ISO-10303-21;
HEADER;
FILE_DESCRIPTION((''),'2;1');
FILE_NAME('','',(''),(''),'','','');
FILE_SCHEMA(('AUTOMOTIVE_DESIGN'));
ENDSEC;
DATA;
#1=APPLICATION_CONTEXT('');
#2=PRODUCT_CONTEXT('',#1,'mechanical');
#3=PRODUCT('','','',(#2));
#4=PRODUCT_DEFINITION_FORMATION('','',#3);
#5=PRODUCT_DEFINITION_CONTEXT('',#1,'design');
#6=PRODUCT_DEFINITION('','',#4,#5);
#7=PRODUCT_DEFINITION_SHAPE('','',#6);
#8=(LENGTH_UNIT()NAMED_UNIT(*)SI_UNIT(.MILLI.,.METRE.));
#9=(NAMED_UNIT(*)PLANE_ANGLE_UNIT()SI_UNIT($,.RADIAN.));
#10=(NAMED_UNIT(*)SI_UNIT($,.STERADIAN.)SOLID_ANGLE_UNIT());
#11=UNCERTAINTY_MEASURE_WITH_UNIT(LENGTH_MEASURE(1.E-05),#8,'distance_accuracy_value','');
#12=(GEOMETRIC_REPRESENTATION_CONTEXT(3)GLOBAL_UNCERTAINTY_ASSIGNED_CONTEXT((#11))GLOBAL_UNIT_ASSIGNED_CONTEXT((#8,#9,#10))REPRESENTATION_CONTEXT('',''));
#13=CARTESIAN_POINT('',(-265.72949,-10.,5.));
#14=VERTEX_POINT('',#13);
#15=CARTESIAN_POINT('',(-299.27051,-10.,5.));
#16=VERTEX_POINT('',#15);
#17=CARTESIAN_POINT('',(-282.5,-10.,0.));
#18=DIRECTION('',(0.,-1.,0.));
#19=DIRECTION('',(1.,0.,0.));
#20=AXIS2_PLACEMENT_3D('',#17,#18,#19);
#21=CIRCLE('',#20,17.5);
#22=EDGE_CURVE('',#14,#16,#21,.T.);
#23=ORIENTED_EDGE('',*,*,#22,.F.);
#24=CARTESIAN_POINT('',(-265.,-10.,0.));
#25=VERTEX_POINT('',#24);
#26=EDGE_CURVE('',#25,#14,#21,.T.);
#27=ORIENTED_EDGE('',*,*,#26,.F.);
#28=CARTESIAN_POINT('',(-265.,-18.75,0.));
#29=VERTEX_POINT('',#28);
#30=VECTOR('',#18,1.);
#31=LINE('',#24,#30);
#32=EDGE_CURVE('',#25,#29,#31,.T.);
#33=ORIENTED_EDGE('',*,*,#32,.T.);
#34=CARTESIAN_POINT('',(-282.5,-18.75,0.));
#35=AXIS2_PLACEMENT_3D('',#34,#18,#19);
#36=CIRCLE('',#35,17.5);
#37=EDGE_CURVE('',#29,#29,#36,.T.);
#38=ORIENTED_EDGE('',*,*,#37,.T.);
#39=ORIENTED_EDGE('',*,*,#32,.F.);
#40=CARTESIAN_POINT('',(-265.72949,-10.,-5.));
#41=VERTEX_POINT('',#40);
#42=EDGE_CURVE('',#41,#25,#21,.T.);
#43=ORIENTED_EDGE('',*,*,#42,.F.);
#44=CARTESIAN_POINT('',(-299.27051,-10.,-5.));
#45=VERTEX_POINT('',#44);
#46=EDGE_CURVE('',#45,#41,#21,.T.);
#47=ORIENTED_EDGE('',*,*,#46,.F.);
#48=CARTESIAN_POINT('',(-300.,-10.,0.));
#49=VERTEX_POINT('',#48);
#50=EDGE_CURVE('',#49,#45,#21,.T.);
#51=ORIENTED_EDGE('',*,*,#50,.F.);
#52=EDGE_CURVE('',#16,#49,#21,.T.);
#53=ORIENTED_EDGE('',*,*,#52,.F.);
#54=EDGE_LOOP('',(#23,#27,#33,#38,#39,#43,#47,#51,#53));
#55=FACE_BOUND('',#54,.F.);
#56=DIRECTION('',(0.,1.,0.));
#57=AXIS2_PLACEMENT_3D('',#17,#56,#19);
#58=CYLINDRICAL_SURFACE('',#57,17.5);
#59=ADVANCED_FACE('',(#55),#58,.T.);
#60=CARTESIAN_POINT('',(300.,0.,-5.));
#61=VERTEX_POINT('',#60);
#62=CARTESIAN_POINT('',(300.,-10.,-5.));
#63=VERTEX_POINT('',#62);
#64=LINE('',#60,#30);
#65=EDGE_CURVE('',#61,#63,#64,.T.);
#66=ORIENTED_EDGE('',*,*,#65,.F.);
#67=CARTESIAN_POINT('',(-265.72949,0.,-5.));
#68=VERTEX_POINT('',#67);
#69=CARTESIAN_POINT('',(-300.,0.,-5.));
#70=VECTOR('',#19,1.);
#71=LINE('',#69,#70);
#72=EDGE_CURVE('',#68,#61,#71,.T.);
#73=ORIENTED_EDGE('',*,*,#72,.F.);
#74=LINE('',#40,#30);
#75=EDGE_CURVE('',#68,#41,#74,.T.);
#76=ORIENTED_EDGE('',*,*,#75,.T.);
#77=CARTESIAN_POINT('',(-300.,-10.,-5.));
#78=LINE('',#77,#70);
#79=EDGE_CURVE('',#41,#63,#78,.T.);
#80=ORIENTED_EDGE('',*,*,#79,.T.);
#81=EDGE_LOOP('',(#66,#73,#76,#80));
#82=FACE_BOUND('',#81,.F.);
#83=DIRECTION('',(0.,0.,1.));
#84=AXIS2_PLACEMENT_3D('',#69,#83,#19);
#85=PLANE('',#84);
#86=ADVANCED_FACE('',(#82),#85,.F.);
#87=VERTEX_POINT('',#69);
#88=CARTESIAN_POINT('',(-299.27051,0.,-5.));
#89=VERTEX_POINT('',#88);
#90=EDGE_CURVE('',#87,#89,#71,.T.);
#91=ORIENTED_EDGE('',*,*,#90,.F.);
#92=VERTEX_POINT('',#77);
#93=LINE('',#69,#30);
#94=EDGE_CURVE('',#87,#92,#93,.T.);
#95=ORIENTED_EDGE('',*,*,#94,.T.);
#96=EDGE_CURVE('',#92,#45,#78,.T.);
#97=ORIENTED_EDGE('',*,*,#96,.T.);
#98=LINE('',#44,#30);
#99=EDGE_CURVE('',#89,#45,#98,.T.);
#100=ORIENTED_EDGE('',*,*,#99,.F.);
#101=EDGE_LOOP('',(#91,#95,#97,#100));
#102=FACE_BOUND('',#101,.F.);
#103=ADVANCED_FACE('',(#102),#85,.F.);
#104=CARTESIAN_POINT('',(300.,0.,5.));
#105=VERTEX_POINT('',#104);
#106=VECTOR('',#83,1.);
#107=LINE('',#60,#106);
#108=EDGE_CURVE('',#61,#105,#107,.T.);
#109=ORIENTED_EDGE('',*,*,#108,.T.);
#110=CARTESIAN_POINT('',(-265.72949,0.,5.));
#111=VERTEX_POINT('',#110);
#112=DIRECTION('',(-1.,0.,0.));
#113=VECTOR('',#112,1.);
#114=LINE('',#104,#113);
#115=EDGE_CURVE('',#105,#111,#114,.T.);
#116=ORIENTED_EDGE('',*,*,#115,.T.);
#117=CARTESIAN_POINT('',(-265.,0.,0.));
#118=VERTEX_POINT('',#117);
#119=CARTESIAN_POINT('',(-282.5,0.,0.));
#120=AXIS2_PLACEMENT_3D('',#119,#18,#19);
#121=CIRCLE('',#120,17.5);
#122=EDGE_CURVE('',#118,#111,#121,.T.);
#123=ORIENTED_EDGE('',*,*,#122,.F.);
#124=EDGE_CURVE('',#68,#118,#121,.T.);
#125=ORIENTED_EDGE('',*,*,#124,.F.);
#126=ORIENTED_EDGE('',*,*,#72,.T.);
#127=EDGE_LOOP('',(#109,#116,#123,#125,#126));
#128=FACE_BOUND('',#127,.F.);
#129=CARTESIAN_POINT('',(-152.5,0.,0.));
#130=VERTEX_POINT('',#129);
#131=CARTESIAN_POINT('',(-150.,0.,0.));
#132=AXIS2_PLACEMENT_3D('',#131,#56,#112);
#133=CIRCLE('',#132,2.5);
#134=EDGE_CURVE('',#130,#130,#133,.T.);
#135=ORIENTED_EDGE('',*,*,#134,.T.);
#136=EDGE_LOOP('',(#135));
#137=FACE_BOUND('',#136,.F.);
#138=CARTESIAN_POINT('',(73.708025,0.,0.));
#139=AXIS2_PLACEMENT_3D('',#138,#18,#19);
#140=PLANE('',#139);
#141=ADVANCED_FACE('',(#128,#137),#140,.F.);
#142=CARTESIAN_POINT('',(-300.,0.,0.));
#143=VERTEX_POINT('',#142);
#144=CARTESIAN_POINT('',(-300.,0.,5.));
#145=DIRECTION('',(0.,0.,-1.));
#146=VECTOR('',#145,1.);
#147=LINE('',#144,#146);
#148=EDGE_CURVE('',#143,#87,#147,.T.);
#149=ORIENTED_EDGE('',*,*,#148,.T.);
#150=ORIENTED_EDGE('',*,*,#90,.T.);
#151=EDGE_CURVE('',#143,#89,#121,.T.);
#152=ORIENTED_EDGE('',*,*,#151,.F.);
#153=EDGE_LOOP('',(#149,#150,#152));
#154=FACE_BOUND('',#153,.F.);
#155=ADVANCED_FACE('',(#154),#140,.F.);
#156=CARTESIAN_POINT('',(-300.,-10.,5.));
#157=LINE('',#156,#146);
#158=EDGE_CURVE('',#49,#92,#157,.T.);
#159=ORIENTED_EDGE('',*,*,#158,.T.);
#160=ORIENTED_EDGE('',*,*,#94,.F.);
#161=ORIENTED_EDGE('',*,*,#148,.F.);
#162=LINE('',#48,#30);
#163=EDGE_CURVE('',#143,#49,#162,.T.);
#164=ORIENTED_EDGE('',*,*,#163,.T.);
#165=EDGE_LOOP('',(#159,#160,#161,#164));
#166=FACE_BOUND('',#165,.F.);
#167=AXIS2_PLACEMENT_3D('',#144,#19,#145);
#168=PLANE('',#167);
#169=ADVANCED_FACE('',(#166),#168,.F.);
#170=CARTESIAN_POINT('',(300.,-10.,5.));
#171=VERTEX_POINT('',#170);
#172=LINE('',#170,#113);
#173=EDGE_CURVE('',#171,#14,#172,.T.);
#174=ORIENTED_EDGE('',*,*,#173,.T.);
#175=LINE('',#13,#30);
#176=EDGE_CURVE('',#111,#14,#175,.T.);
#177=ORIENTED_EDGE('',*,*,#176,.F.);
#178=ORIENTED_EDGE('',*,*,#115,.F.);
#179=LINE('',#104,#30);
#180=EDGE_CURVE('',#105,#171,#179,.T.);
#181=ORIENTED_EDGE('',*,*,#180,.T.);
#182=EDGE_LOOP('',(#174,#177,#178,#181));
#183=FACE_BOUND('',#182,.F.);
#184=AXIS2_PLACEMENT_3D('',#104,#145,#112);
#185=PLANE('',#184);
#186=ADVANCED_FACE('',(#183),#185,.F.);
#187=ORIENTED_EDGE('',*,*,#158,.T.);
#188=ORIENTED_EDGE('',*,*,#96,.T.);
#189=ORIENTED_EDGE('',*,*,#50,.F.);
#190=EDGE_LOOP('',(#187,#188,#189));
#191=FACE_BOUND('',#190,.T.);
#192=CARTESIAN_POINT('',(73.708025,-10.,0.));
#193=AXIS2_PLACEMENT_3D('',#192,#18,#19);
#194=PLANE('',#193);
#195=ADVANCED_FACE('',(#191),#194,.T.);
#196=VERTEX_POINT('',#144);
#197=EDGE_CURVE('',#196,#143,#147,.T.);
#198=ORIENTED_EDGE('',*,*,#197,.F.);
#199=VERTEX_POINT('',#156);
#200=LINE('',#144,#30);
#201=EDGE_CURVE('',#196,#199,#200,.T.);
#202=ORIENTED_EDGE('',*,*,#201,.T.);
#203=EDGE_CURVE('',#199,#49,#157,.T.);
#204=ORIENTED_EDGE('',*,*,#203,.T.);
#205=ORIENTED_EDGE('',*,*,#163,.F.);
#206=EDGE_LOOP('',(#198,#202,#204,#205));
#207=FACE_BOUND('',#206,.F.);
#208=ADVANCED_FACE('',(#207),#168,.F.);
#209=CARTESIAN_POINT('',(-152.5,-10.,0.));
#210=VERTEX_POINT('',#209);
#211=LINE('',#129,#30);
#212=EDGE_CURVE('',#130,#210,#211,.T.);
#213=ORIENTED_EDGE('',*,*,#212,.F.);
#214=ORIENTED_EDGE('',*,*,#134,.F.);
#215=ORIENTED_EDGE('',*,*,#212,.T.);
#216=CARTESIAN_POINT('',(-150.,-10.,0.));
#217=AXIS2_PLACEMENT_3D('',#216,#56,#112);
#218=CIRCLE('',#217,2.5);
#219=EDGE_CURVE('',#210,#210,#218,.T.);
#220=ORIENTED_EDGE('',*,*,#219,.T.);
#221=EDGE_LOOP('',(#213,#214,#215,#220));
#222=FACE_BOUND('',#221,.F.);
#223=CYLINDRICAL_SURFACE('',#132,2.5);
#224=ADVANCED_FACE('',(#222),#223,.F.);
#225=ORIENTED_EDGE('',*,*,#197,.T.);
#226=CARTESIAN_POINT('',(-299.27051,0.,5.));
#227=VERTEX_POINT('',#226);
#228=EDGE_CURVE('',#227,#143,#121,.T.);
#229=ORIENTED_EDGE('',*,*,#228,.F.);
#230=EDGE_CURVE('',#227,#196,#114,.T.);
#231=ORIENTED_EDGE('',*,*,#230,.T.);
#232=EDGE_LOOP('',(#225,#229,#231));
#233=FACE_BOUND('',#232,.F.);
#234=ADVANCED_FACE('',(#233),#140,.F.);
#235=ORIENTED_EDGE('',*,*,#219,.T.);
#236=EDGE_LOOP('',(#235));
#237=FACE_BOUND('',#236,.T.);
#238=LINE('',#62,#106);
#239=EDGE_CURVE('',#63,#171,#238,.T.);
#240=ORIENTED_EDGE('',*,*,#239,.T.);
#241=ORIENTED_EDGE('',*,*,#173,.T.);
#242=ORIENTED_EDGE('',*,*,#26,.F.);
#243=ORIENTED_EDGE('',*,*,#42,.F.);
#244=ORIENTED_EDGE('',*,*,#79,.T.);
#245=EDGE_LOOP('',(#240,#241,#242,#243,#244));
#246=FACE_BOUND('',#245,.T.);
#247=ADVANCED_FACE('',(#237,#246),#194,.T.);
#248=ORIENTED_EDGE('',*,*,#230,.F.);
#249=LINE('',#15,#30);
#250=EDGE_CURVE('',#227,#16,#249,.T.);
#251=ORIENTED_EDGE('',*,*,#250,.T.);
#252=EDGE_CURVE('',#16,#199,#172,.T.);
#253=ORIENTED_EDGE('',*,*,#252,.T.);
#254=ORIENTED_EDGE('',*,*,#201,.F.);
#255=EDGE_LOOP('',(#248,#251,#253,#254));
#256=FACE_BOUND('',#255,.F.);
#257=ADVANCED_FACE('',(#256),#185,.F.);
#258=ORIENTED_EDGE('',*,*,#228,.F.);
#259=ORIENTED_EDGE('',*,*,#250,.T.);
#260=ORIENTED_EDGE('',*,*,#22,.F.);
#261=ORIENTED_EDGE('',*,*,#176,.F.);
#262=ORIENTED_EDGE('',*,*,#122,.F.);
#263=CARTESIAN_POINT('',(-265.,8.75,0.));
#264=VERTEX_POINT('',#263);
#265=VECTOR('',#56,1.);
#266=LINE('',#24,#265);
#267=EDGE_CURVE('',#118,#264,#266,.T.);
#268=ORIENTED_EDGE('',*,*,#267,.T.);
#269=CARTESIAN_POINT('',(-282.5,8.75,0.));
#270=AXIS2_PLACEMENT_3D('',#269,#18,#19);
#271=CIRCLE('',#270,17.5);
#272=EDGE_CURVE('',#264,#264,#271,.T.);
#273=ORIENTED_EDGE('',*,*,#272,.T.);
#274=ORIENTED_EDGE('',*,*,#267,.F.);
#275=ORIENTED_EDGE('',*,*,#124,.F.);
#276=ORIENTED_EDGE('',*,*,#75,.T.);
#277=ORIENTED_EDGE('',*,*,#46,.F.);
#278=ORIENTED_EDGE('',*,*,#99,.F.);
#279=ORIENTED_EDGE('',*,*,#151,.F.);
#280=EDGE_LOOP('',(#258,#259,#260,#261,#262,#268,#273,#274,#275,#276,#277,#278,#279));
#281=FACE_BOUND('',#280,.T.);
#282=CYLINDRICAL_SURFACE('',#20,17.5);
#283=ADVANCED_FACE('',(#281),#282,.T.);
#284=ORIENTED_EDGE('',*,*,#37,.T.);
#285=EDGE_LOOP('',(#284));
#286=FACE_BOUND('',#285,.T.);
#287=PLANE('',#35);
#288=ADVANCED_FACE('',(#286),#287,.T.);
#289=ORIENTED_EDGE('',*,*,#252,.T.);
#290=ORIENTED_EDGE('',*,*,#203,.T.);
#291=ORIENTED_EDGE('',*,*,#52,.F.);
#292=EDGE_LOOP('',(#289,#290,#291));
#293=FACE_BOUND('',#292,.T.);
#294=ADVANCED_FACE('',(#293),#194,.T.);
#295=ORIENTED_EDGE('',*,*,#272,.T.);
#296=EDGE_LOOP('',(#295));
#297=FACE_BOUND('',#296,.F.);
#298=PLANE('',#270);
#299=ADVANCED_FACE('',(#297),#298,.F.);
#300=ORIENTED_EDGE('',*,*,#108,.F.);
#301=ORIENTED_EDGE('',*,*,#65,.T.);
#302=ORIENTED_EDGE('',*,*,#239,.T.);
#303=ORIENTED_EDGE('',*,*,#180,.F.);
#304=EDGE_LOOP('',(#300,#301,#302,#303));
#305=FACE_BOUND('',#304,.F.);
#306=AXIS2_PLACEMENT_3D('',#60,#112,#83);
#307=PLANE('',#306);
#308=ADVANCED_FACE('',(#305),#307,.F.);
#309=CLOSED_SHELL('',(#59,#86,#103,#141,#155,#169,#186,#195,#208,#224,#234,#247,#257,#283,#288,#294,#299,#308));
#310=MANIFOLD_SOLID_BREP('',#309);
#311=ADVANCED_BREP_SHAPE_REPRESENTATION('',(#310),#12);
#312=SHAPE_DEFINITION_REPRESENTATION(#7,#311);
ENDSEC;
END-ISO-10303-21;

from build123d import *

# Parameters (mm, degrees)
F1_DEPTH      = 10
F3_DEPTH      = 8.75
F3_DEPTH_BACK = 18.75


with BuildPart() as f1:
    # F0 (on Front) → F1 (new body)
    with BuildSketch(Plane.XZ):
        with BuildLine():
            Line((-150, -5), (300, -5))
            Line((300, -5), (300, 5))
            Line((300, 5), (-150, 5))
            ThreePointArc((-150, 5), (-146.464466, 3.535534), (-145, 0))
            ThreePointArc((-145, 0), (-146.464466, -3.535534), (-150, -5))
        make_face()
        with BuildLine():
            Line((-300, -5), (-150, -5))
            ThreePointArc((-150, -5), (-153.535534, -3.535534), (-155, 0))
            Line((-155, 0), (-300, 0))
            Line((-300, 0), (-300, -5))
        make_face()
        with BuildLine():
            Line((-300, 0), (-155, 0))
            ThreePointArc((-155, 0), (-153.535534, 3.535534), (-150, 5))
            Line((-150, 5), (-300, 5))
            Line((-300, 5), (-300, 0))
        make_face()
        with BuildLine():
            ThreePointArc((-155, 0), (-153.535534, -3.535534), (-150, -5))
            ThreePointArc((-150, -5), (-146.464466, -3.535534), (-145, 0))
            ThreePointArc((-145, 0), (-146.464466, 3.535534), (-150, 5))
            ThreePointArc((-150, 5), (-153.535534, 3.535534), (-155, 0))
        make_face()
        with BuildLine():
            ThreePointArc((-147.5, 0), (-150, -2.5), (-152.5, 0))
            ThreePointArc((-152.5, 0), (-150, 2.5), (-147.5, 0))
        make_face(mode=Mode.SUBTRACT)
    extrude(amount=F1_DEPTH)

    # F2 (on face) → F3 (join, two sides)
    with BuildSketch(Plane.XZ.offset(10)) as f3_sk:
        with BuildLine():
            ThreePointArc((-300, 0), (-282.5, -17.5), (-265, 0))
            ThreePointArc((-265, 0), (-282.5, 17.5), (-300, 0))
        make_face()
    extrude(amount=F3_DEPTH)
    extrude(f3_sk.sketch, amount=-F3_DEPTH_BACK)


solid = f1.part
